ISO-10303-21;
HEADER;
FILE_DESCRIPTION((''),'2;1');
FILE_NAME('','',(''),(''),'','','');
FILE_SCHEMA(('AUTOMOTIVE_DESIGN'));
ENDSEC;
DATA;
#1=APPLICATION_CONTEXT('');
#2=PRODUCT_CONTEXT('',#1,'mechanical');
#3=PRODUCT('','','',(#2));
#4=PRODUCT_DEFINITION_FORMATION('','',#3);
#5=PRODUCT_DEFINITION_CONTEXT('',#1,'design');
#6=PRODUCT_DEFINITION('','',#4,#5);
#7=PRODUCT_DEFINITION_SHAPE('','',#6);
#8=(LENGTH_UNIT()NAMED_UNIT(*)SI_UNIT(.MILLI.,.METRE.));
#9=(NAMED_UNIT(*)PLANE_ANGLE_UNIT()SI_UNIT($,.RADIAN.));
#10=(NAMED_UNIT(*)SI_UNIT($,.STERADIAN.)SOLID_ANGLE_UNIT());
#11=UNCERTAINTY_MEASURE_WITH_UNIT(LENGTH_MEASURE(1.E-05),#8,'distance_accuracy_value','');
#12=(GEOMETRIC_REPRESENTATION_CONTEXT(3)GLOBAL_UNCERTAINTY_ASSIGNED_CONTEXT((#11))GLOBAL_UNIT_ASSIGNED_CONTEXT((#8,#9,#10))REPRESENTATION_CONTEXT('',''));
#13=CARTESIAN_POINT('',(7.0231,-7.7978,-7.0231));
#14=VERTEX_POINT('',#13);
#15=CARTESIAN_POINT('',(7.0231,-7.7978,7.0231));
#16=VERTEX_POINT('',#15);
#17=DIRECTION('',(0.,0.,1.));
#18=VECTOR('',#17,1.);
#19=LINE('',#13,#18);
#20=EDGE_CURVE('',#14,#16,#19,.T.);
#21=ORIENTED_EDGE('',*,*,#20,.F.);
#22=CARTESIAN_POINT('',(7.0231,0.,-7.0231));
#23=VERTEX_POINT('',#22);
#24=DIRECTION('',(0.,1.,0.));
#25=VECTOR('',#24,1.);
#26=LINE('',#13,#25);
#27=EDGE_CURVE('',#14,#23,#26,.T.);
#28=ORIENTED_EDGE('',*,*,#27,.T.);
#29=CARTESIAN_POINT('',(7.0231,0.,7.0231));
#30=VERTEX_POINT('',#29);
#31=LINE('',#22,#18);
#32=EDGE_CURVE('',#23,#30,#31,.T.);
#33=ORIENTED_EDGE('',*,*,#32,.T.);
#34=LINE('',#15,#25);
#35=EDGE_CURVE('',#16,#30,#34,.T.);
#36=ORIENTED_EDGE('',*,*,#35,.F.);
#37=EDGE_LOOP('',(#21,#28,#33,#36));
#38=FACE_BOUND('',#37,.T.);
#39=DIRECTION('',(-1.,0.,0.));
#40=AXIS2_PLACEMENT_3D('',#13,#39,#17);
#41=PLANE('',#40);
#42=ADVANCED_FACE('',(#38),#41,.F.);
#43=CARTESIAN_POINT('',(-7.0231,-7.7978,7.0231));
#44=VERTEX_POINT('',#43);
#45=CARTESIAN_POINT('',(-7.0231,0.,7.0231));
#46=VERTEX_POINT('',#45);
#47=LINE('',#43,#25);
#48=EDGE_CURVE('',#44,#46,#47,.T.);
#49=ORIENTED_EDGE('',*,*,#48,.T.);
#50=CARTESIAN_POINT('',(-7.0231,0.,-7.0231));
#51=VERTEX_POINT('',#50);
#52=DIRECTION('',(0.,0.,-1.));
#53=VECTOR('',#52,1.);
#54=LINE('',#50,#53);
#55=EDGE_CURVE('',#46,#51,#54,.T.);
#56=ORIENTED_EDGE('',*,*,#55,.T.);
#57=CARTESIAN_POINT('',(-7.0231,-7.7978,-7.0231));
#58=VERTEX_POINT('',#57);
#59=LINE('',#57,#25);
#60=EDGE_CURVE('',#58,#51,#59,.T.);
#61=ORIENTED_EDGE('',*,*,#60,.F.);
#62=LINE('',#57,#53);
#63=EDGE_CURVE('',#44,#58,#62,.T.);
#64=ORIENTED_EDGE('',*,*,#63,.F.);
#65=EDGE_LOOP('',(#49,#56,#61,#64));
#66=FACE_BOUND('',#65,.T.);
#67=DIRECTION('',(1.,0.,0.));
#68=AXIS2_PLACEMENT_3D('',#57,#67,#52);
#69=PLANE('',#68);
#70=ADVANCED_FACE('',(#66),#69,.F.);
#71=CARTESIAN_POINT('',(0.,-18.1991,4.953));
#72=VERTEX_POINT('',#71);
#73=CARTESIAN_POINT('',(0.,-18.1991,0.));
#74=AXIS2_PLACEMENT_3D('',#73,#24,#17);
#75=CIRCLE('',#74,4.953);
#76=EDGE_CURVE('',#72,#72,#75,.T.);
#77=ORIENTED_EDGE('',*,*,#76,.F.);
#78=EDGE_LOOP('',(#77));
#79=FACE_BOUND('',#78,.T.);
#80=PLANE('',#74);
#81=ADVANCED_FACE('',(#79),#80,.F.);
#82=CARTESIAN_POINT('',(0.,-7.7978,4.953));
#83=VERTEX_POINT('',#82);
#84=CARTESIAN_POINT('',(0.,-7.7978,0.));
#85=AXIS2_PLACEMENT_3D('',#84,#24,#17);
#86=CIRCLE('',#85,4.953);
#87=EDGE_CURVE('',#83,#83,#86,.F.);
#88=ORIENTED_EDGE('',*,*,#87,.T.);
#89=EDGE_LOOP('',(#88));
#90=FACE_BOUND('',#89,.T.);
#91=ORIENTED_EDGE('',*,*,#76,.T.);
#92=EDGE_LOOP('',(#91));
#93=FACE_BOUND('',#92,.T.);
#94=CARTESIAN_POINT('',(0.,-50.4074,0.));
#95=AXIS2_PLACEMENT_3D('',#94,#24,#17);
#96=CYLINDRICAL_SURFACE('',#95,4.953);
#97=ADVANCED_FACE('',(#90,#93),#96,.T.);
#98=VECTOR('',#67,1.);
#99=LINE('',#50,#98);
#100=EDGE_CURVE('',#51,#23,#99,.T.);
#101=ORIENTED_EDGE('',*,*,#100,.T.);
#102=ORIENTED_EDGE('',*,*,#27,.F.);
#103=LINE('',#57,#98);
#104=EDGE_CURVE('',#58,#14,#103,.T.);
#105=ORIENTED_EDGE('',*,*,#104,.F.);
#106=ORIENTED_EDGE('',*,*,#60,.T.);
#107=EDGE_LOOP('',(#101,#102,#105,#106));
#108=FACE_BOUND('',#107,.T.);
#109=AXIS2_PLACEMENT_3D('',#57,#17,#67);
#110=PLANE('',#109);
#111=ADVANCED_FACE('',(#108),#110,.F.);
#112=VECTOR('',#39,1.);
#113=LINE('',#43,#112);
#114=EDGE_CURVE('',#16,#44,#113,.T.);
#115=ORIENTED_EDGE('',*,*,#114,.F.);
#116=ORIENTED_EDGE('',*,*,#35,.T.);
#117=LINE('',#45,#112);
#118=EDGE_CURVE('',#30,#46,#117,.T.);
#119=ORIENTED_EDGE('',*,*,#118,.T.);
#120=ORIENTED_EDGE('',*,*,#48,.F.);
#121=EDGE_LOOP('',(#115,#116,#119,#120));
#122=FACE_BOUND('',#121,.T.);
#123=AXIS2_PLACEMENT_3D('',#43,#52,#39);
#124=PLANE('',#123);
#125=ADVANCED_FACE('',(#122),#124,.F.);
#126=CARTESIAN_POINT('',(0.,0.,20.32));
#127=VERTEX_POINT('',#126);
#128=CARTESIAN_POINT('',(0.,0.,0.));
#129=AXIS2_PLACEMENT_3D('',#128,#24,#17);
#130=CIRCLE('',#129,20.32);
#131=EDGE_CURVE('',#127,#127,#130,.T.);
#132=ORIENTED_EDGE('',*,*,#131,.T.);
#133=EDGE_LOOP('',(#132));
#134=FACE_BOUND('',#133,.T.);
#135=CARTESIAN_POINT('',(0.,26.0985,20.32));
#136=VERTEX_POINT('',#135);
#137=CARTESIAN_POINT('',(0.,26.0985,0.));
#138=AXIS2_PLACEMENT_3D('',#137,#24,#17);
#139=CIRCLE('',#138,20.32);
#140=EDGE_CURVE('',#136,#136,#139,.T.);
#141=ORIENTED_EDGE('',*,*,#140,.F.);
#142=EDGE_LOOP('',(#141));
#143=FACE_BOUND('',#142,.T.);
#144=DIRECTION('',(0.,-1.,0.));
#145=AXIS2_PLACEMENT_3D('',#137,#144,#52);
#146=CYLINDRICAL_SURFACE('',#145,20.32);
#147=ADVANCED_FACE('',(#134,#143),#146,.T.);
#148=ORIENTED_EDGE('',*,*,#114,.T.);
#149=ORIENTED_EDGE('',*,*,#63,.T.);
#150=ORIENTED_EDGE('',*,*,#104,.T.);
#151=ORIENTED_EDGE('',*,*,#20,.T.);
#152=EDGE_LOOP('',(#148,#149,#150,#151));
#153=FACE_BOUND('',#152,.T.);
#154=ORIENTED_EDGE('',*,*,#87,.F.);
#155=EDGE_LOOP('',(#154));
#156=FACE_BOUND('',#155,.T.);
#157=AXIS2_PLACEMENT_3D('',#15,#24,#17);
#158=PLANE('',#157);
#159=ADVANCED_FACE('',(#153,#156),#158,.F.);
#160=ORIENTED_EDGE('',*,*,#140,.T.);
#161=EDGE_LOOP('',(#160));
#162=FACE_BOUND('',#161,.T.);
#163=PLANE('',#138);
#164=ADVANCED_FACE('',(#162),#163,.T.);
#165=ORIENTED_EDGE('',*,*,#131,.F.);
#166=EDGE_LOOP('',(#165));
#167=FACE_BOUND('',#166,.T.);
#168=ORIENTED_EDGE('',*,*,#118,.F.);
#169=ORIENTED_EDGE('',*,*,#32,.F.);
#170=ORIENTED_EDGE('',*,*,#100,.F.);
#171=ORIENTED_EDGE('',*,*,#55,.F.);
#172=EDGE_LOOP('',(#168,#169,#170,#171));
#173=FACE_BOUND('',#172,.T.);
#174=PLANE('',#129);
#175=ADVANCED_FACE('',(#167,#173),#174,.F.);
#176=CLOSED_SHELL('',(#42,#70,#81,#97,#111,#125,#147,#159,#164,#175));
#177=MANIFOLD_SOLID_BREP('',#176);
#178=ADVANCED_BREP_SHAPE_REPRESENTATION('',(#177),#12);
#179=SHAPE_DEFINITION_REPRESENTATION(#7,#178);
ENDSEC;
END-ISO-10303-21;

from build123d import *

# Parameters (mm, degrees)
SKETCH1_R           = 20.32
BOSS_EXTRUDE1_DEPTH = 26.0985
SKETCH2_W           = 14.0462
SKETCH2_H           = 14.0462
BOSS_EXTRUDE2_DEPTH = 7.7978
SKETCH3_R           = 4.953
BOSS_EXTRUDE3_DEPTH = 10.4013


with BuildPart() as part:
    # Sketch1 → Boss-Extrude1 (new body)
    with BuildSketch(Plane(origin=(0, 0, 0), x_dir=(1, 0, 0), z_dir=(0, 1, 0))):
        with Locations(Location((0, 0, 0), (0, 0, 270))):
            Circle(SKETCH1_R)
    extrude(amount=BOSS_EXTRUDE1_DEPTH)

    # Sketch2 → Boss-Extrude2 (add)
    with BuildSketch(Plane.XZ):
        Rectangle(SKETCH2_W, SKETCH2_H)
    extrude(amount=BOSS_EXTRUDE2_DEPTH)

    # Sketch3 → Boss-Extrude3 (add)
    with BuildSketch(Plane.XZ.offset(7.7978)):
        with Locations(Location((0, 0, 0), (0, 0, 90))):
            Circle(SKETCH3_R)
    extrude(amount=BOSS_EXTRUDE3_DEPTH)


solid = part.part
